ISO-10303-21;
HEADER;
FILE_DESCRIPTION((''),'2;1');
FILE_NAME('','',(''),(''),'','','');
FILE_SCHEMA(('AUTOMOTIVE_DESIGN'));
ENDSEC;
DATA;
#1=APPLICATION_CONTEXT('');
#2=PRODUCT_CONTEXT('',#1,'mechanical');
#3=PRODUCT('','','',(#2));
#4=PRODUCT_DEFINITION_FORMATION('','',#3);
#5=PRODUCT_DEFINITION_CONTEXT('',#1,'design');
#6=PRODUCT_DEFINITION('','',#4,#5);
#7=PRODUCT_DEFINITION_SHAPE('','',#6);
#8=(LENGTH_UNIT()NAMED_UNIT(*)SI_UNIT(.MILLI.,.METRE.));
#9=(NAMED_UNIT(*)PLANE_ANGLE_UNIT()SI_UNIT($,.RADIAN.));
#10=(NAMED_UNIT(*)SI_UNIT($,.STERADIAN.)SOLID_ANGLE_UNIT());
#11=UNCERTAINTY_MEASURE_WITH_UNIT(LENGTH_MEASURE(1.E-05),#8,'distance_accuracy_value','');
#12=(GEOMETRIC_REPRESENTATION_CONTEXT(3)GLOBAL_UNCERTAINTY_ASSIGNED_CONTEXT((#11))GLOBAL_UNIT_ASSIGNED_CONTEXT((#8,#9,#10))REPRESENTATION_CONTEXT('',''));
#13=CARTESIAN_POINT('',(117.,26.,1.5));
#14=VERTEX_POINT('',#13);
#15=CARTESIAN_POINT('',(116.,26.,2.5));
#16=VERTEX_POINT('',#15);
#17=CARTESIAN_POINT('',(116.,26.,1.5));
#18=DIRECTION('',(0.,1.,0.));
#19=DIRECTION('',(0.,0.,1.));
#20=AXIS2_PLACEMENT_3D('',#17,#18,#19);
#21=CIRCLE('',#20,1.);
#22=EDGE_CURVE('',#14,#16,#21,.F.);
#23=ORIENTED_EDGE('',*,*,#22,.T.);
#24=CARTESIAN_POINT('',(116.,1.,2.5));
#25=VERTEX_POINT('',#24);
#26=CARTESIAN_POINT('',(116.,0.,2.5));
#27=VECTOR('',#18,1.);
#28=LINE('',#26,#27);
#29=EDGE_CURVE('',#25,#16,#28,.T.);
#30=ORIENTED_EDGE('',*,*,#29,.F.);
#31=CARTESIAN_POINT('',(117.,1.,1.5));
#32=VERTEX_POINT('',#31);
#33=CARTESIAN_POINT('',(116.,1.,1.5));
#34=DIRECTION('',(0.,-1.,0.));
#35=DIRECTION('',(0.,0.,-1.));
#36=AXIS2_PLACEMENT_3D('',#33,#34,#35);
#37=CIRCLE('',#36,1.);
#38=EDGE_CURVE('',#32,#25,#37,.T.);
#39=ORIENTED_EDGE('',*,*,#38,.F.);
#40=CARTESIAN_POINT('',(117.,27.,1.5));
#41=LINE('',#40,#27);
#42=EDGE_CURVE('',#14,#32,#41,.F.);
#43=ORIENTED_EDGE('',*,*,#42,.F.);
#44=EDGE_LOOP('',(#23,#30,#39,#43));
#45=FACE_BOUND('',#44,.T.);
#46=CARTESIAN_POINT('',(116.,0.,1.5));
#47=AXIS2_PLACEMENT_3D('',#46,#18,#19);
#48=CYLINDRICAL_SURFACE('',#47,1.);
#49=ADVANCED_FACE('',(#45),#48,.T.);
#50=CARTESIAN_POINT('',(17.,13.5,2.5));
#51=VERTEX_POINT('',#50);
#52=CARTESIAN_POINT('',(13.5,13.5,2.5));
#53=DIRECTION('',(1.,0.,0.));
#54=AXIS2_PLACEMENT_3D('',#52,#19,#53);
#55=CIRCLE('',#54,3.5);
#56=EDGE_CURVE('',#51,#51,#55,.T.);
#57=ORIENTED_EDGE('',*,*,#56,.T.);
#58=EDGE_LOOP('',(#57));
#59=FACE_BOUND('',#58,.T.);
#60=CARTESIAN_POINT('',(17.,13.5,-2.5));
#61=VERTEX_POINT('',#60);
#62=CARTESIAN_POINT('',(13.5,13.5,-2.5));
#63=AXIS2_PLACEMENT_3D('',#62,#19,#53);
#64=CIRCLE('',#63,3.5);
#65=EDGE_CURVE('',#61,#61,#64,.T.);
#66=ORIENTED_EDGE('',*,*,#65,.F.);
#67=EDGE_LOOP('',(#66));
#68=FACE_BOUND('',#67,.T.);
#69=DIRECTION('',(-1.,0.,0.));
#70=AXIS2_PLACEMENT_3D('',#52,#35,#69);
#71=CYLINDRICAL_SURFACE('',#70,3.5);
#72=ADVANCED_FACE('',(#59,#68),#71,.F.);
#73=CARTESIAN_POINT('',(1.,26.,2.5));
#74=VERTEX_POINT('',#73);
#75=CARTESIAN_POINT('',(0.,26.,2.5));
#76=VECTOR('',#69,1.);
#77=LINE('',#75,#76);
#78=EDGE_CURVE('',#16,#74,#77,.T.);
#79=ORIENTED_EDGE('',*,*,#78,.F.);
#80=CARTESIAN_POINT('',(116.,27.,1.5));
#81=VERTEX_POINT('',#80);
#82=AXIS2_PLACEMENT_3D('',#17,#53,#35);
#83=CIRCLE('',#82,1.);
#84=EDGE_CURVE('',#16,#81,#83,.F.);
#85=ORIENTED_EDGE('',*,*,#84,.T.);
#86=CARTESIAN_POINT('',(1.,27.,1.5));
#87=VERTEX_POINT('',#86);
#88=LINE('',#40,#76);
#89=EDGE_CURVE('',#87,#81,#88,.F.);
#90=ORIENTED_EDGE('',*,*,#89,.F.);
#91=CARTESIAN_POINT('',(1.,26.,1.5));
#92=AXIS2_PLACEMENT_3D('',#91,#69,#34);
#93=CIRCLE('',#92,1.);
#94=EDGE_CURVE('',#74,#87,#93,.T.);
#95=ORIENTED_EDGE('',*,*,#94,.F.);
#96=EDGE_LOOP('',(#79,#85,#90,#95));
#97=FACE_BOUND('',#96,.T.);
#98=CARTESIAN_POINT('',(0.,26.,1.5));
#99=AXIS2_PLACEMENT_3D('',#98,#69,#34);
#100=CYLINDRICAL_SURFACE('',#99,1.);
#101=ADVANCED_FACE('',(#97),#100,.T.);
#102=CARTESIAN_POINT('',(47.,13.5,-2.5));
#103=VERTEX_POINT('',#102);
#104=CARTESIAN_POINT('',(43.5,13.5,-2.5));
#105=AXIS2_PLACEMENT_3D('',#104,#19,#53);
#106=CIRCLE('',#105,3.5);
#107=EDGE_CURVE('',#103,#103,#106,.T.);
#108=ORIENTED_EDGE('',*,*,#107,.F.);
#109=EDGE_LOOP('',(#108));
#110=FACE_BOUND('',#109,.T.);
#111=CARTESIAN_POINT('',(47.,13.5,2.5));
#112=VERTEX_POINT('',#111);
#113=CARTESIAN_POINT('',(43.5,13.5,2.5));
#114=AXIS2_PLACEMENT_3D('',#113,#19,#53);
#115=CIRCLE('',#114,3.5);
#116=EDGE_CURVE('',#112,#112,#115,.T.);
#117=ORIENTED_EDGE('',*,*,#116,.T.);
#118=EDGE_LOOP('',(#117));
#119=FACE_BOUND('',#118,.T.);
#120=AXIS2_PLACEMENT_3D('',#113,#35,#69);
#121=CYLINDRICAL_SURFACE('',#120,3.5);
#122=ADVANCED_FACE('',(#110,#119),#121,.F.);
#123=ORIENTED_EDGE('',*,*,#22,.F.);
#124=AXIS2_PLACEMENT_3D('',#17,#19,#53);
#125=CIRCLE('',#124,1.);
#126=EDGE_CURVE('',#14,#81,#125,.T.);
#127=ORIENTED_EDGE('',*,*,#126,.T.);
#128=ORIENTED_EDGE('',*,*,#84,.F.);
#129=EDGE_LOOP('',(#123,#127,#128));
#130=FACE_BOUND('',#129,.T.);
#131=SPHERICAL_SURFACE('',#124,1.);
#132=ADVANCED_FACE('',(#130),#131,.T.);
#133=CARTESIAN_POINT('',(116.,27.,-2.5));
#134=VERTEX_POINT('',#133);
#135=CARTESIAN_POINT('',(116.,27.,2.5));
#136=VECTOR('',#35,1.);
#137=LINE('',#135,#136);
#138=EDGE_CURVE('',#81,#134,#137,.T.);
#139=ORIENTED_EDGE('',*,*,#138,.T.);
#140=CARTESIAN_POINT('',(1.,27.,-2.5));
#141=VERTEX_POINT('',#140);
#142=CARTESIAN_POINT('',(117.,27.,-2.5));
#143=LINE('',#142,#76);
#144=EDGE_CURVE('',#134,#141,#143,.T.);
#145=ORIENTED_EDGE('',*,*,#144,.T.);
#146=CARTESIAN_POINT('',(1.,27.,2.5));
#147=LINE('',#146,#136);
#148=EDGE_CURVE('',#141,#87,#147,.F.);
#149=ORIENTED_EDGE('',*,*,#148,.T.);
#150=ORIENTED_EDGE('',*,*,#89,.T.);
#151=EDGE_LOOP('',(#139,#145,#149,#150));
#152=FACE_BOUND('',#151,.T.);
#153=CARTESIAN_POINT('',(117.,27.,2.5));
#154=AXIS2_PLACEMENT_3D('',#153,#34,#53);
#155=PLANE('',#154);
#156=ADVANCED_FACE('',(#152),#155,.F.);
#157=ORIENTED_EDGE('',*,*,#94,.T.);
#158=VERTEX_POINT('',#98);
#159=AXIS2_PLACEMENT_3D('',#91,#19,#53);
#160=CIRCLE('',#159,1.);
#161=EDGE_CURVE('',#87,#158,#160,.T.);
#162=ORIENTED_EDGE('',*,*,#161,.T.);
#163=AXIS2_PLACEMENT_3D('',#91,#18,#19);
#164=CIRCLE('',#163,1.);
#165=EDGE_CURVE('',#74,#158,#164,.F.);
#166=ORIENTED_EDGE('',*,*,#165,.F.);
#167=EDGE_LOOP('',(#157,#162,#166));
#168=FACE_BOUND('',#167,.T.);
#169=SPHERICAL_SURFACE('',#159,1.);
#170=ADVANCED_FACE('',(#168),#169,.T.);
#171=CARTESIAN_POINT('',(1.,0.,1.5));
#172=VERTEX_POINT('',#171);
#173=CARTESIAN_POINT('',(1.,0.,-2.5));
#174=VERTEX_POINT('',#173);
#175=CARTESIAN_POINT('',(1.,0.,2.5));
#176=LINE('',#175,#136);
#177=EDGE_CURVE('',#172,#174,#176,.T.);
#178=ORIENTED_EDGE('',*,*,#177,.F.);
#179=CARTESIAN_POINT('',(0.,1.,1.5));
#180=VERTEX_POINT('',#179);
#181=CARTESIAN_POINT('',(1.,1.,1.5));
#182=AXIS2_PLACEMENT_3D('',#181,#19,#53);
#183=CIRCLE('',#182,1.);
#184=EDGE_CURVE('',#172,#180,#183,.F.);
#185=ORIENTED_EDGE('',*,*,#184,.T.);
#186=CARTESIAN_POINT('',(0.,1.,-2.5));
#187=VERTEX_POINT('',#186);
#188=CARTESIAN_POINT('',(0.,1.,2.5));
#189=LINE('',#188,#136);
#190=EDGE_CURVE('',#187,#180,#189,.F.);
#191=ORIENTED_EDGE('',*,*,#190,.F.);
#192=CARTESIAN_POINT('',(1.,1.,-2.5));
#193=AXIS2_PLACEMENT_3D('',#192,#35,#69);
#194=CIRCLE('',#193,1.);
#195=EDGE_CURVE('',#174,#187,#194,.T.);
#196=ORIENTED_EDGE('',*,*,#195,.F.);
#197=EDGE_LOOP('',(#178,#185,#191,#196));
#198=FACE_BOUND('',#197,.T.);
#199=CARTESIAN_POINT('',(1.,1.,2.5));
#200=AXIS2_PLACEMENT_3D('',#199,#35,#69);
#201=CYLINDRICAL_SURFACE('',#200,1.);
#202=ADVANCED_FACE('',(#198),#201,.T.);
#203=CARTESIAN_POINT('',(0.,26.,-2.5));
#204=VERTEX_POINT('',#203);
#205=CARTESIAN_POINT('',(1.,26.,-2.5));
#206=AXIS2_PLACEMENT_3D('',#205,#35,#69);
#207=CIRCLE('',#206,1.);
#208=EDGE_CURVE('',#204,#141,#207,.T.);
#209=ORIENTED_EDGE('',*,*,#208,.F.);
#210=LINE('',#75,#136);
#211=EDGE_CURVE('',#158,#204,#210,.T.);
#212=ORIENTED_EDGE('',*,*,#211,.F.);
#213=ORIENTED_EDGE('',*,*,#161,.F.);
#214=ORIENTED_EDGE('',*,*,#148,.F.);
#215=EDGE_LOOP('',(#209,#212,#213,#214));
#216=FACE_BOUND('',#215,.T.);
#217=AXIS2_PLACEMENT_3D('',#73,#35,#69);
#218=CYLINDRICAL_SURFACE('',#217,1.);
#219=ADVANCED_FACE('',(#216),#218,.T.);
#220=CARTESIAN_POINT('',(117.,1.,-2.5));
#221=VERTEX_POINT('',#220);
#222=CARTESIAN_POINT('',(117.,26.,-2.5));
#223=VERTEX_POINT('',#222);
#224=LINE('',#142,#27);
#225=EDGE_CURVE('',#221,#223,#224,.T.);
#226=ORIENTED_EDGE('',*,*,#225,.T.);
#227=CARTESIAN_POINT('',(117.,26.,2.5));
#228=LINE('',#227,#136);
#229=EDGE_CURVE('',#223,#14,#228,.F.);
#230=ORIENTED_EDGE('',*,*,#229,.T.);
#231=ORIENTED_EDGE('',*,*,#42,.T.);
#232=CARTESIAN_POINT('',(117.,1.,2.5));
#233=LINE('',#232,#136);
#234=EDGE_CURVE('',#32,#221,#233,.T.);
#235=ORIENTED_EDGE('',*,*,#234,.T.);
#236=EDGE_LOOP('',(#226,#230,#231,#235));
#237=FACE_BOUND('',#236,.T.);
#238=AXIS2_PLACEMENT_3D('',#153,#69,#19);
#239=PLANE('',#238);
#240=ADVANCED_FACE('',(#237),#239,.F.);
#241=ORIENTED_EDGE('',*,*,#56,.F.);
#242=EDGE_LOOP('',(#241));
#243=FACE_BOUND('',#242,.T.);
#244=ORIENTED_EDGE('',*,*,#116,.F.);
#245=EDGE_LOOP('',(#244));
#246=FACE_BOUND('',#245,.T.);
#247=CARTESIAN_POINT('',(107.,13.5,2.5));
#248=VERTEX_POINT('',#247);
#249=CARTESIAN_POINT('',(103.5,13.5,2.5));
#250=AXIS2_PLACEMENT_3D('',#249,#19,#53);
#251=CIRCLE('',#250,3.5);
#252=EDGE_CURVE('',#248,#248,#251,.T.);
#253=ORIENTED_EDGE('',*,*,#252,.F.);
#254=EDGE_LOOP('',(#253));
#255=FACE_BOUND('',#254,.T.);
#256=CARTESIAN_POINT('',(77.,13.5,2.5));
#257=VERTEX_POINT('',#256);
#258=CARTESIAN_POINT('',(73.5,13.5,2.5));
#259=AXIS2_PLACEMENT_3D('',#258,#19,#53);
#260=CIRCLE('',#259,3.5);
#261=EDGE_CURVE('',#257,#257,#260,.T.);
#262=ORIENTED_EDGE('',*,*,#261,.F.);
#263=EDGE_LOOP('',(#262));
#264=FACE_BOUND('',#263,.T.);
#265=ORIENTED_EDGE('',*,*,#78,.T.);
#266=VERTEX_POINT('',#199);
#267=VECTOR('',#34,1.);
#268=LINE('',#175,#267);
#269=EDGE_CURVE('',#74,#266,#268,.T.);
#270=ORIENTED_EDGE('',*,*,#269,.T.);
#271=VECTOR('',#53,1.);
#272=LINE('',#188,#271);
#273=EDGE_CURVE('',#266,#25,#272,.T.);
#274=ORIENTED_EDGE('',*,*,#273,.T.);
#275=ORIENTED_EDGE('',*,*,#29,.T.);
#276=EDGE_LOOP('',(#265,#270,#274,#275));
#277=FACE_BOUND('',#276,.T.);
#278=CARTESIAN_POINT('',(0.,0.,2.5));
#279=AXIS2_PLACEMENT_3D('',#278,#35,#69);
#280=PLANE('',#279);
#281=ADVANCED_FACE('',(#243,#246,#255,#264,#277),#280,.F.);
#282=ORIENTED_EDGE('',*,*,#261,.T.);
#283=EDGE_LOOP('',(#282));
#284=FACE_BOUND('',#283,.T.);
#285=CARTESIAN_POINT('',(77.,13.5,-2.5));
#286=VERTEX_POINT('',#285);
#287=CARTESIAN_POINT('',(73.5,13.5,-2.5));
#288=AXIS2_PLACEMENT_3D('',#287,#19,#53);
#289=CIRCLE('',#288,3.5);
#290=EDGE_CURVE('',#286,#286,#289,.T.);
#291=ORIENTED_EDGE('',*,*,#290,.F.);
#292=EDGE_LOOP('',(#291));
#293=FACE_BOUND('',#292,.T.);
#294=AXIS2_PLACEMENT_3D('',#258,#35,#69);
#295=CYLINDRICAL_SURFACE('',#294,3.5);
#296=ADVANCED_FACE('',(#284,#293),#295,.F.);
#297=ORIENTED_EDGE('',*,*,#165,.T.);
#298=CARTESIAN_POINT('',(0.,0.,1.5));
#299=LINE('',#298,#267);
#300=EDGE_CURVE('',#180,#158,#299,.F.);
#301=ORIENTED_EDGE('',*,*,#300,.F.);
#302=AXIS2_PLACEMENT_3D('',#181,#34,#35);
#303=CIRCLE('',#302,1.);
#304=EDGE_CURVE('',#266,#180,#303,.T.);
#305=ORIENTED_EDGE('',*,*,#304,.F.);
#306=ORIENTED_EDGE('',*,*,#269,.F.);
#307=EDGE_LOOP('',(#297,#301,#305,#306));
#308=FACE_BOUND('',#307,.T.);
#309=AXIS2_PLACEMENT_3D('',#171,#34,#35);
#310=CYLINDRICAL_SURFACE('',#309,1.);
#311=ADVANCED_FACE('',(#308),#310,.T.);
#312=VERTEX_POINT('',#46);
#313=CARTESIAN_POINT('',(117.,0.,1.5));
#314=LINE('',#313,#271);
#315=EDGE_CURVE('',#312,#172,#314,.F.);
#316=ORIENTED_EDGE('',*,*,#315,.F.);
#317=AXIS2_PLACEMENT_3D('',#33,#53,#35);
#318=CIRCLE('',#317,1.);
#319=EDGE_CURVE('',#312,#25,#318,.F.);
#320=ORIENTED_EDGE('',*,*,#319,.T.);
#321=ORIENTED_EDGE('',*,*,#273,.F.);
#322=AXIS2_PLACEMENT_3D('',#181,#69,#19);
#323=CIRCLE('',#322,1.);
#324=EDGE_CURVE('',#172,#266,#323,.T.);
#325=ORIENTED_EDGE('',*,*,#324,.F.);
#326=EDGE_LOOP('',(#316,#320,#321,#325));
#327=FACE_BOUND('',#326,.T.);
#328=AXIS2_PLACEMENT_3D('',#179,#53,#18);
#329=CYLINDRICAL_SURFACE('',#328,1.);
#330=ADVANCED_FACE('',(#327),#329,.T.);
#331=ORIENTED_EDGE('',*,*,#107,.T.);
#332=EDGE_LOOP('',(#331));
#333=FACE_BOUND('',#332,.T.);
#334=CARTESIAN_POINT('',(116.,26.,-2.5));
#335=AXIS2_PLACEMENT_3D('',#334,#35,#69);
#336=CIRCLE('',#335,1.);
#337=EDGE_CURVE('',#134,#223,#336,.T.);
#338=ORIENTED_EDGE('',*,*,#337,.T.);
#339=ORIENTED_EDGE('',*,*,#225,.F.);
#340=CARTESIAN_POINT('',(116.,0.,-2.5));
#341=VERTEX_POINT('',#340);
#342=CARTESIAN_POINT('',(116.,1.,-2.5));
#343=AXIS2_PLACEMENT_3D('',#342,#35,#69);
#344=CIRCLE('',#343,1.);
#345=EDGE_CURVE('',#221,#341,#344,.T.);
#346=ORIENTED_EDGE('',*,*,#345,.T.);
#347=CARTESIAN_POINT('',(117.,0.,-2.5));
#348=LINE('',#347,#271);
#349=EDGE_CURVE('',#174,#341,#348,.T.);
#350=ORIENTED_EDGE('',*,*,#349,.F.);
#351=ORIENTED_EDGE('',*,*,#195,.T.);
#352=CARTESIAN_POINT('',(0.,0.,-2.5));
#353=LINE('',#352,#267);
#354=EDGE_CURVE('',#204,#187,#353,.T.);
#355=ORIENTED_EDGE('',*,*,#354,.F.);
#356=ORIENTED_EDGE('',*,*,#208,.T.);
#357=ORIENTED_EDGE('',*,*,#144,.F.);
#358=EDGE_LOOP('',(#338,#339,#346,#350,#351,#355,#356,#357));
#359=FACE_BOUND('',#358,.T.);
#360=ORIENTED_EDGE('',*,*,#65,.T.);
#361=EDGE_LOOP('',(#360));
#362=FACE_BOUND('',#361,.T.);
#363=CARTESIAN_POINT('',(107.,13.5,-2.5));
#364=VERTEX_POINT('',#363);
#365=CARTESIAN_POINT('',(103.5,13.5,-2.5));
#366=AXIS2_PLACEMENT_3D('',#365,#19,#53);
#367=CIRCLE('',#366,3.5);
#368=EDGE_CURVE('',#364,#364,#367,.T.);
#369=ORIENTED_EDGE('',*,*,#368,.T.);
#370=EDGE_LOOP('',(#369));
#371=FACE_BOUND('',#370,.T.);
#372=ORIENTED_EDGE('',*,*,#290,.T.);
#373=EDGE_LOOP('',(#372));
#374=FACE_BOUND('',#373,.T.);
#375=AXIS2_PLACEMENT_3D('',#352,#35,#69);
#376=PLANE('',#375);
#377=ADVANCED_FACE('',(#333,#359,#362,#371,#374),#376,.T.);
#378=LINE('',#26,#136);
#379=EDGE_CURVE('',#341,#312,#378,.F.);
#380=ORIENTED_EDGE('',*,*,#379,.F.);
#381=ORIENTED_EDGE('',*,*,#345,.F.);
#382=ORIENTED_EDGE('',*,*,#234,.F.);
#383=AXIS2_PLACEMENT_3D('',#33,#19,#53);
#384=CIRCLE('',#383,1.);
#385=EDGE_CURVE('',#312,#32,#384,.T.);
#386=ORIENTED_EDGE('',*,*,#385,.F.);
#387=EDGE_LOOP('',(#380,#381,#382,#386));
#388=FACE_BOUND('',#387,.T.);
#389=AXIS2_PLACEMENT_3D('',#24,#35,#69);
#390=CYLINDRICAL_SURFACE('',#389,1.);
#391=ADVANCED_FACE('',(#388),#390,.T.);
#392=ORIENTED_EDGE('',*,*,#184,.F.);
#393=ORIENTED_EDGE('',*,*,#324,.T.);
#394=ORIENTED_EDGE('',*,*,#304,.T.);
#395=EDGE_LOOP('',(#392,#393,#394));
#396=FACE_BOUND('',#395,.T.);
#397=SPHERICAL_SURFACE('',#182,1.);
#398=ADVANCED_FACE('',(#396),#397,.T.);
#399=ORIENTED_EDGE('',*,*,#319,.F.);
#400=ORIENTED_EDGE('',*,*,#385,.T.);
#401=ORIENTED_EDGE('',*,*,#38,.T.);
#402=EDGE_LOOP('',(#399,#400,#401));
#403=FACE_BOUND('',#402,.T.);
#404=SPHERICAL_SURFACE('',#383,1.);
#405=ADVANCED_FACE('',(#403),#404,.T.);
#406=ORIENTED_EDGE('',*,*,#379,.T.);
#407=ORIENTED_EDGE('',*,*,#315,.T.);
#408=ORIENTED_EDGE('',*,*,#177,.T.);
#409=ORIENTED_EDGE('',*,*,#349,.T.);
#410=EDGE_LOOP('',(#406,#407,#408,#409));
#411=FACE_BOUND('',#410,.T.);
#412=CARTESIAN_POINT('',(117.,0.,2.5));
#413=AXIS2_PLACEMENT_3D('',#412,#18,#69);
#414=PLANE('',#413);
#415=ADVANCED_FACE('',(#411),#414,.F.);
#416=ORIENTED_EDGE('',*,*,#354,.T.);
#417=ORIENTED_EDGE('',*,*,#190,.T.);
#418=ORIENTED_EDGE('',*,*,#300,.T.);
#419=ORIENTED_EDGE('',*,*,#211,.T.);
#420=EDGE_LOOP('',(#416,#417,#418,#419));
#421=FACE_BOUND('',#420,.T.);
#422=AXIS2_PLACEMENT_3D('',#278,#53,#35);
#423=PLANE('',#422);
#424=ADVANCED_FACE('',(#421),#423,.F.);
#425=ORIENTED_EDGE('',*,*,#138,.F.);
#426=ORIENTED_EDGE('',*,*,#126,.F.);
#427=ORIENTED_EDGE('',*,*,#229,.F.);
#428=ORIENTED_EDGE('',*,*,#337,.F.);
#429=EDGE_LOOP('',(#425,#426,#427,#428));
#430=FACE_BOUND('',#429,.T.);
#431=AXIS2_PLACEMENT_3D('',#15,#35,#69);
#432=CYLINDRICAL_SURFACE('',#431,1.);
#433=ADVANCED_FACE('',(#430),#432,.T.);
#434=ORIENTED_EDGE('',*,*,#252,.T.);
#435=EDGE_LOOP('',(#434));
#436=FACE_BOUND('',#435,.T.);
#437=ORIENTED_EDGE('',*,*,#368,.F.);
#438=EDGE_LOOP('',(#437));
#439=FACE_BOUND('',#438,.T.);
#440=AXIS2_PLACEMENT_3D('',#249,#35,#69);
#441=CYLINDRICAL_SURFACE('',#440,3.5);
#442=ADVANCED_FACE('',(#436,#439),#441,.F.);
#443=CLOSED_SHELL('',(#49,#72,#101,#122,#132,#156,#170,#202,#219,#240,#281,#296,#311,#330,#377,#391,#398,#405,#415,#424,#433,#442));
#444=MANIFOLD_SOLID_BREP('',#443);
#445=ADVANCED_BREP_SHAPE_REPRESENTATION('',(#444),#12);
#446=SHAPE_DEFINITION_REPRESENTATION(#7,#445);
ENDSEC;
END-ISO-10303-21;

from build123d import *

# Parameters (mm, degrees)
SKETCH1_W           = 117
SKETCH1_H           = 27
SKETCH1_R           = 3.5
BOSS_EXTRUDE1_DEPTH = 2.5
FILLET1_R           = 1


with BuildPart() as part:
    # Sketch1 → Boss-Extrude1 (new body, symmetric)
    with BuildSketch(Plane.XY):
        with Locations((58.5, 13.5)):
            Rectangle(SKETCH1_W, SKETCH1_H)
        with Locations((13.5, 13.5)):
            Circle(SKETCH1_R, mode=Mode.SUBTRACT)
        with Locations((43.5, 13.5)):
            Circle(SKETCH1_R, mode=Mode.SUBTRACT)
        with Locations((73.5, 13.5)):
            Circle(SKETCH1_R, mode=Mode.SUBTRACT)
        with Locations((103.5, 13.5)):
            Circle(SKETCH1_R, mode=Mode.SUBTRACT)
    extrude(amount=BOSS_EXTRUDE1_DEPTH, both=True)

    # Fillet1
    fillet1_edges = [part.edges().sort_by_distance(p)[0] for p in [
        (58.5, 27, 2.5),
        (0, 13.5, 2.5),
        (58.5, 0, 2.5),
        (117, 13.5, 2.5),
        (0, 0, 0),
        (0, 27, 0),
        (117, 27, 0),
        (117, 0, 0),
    ]]
    fillet(fillet1_edges, radius=FILLET1_R)


solid = part.part
